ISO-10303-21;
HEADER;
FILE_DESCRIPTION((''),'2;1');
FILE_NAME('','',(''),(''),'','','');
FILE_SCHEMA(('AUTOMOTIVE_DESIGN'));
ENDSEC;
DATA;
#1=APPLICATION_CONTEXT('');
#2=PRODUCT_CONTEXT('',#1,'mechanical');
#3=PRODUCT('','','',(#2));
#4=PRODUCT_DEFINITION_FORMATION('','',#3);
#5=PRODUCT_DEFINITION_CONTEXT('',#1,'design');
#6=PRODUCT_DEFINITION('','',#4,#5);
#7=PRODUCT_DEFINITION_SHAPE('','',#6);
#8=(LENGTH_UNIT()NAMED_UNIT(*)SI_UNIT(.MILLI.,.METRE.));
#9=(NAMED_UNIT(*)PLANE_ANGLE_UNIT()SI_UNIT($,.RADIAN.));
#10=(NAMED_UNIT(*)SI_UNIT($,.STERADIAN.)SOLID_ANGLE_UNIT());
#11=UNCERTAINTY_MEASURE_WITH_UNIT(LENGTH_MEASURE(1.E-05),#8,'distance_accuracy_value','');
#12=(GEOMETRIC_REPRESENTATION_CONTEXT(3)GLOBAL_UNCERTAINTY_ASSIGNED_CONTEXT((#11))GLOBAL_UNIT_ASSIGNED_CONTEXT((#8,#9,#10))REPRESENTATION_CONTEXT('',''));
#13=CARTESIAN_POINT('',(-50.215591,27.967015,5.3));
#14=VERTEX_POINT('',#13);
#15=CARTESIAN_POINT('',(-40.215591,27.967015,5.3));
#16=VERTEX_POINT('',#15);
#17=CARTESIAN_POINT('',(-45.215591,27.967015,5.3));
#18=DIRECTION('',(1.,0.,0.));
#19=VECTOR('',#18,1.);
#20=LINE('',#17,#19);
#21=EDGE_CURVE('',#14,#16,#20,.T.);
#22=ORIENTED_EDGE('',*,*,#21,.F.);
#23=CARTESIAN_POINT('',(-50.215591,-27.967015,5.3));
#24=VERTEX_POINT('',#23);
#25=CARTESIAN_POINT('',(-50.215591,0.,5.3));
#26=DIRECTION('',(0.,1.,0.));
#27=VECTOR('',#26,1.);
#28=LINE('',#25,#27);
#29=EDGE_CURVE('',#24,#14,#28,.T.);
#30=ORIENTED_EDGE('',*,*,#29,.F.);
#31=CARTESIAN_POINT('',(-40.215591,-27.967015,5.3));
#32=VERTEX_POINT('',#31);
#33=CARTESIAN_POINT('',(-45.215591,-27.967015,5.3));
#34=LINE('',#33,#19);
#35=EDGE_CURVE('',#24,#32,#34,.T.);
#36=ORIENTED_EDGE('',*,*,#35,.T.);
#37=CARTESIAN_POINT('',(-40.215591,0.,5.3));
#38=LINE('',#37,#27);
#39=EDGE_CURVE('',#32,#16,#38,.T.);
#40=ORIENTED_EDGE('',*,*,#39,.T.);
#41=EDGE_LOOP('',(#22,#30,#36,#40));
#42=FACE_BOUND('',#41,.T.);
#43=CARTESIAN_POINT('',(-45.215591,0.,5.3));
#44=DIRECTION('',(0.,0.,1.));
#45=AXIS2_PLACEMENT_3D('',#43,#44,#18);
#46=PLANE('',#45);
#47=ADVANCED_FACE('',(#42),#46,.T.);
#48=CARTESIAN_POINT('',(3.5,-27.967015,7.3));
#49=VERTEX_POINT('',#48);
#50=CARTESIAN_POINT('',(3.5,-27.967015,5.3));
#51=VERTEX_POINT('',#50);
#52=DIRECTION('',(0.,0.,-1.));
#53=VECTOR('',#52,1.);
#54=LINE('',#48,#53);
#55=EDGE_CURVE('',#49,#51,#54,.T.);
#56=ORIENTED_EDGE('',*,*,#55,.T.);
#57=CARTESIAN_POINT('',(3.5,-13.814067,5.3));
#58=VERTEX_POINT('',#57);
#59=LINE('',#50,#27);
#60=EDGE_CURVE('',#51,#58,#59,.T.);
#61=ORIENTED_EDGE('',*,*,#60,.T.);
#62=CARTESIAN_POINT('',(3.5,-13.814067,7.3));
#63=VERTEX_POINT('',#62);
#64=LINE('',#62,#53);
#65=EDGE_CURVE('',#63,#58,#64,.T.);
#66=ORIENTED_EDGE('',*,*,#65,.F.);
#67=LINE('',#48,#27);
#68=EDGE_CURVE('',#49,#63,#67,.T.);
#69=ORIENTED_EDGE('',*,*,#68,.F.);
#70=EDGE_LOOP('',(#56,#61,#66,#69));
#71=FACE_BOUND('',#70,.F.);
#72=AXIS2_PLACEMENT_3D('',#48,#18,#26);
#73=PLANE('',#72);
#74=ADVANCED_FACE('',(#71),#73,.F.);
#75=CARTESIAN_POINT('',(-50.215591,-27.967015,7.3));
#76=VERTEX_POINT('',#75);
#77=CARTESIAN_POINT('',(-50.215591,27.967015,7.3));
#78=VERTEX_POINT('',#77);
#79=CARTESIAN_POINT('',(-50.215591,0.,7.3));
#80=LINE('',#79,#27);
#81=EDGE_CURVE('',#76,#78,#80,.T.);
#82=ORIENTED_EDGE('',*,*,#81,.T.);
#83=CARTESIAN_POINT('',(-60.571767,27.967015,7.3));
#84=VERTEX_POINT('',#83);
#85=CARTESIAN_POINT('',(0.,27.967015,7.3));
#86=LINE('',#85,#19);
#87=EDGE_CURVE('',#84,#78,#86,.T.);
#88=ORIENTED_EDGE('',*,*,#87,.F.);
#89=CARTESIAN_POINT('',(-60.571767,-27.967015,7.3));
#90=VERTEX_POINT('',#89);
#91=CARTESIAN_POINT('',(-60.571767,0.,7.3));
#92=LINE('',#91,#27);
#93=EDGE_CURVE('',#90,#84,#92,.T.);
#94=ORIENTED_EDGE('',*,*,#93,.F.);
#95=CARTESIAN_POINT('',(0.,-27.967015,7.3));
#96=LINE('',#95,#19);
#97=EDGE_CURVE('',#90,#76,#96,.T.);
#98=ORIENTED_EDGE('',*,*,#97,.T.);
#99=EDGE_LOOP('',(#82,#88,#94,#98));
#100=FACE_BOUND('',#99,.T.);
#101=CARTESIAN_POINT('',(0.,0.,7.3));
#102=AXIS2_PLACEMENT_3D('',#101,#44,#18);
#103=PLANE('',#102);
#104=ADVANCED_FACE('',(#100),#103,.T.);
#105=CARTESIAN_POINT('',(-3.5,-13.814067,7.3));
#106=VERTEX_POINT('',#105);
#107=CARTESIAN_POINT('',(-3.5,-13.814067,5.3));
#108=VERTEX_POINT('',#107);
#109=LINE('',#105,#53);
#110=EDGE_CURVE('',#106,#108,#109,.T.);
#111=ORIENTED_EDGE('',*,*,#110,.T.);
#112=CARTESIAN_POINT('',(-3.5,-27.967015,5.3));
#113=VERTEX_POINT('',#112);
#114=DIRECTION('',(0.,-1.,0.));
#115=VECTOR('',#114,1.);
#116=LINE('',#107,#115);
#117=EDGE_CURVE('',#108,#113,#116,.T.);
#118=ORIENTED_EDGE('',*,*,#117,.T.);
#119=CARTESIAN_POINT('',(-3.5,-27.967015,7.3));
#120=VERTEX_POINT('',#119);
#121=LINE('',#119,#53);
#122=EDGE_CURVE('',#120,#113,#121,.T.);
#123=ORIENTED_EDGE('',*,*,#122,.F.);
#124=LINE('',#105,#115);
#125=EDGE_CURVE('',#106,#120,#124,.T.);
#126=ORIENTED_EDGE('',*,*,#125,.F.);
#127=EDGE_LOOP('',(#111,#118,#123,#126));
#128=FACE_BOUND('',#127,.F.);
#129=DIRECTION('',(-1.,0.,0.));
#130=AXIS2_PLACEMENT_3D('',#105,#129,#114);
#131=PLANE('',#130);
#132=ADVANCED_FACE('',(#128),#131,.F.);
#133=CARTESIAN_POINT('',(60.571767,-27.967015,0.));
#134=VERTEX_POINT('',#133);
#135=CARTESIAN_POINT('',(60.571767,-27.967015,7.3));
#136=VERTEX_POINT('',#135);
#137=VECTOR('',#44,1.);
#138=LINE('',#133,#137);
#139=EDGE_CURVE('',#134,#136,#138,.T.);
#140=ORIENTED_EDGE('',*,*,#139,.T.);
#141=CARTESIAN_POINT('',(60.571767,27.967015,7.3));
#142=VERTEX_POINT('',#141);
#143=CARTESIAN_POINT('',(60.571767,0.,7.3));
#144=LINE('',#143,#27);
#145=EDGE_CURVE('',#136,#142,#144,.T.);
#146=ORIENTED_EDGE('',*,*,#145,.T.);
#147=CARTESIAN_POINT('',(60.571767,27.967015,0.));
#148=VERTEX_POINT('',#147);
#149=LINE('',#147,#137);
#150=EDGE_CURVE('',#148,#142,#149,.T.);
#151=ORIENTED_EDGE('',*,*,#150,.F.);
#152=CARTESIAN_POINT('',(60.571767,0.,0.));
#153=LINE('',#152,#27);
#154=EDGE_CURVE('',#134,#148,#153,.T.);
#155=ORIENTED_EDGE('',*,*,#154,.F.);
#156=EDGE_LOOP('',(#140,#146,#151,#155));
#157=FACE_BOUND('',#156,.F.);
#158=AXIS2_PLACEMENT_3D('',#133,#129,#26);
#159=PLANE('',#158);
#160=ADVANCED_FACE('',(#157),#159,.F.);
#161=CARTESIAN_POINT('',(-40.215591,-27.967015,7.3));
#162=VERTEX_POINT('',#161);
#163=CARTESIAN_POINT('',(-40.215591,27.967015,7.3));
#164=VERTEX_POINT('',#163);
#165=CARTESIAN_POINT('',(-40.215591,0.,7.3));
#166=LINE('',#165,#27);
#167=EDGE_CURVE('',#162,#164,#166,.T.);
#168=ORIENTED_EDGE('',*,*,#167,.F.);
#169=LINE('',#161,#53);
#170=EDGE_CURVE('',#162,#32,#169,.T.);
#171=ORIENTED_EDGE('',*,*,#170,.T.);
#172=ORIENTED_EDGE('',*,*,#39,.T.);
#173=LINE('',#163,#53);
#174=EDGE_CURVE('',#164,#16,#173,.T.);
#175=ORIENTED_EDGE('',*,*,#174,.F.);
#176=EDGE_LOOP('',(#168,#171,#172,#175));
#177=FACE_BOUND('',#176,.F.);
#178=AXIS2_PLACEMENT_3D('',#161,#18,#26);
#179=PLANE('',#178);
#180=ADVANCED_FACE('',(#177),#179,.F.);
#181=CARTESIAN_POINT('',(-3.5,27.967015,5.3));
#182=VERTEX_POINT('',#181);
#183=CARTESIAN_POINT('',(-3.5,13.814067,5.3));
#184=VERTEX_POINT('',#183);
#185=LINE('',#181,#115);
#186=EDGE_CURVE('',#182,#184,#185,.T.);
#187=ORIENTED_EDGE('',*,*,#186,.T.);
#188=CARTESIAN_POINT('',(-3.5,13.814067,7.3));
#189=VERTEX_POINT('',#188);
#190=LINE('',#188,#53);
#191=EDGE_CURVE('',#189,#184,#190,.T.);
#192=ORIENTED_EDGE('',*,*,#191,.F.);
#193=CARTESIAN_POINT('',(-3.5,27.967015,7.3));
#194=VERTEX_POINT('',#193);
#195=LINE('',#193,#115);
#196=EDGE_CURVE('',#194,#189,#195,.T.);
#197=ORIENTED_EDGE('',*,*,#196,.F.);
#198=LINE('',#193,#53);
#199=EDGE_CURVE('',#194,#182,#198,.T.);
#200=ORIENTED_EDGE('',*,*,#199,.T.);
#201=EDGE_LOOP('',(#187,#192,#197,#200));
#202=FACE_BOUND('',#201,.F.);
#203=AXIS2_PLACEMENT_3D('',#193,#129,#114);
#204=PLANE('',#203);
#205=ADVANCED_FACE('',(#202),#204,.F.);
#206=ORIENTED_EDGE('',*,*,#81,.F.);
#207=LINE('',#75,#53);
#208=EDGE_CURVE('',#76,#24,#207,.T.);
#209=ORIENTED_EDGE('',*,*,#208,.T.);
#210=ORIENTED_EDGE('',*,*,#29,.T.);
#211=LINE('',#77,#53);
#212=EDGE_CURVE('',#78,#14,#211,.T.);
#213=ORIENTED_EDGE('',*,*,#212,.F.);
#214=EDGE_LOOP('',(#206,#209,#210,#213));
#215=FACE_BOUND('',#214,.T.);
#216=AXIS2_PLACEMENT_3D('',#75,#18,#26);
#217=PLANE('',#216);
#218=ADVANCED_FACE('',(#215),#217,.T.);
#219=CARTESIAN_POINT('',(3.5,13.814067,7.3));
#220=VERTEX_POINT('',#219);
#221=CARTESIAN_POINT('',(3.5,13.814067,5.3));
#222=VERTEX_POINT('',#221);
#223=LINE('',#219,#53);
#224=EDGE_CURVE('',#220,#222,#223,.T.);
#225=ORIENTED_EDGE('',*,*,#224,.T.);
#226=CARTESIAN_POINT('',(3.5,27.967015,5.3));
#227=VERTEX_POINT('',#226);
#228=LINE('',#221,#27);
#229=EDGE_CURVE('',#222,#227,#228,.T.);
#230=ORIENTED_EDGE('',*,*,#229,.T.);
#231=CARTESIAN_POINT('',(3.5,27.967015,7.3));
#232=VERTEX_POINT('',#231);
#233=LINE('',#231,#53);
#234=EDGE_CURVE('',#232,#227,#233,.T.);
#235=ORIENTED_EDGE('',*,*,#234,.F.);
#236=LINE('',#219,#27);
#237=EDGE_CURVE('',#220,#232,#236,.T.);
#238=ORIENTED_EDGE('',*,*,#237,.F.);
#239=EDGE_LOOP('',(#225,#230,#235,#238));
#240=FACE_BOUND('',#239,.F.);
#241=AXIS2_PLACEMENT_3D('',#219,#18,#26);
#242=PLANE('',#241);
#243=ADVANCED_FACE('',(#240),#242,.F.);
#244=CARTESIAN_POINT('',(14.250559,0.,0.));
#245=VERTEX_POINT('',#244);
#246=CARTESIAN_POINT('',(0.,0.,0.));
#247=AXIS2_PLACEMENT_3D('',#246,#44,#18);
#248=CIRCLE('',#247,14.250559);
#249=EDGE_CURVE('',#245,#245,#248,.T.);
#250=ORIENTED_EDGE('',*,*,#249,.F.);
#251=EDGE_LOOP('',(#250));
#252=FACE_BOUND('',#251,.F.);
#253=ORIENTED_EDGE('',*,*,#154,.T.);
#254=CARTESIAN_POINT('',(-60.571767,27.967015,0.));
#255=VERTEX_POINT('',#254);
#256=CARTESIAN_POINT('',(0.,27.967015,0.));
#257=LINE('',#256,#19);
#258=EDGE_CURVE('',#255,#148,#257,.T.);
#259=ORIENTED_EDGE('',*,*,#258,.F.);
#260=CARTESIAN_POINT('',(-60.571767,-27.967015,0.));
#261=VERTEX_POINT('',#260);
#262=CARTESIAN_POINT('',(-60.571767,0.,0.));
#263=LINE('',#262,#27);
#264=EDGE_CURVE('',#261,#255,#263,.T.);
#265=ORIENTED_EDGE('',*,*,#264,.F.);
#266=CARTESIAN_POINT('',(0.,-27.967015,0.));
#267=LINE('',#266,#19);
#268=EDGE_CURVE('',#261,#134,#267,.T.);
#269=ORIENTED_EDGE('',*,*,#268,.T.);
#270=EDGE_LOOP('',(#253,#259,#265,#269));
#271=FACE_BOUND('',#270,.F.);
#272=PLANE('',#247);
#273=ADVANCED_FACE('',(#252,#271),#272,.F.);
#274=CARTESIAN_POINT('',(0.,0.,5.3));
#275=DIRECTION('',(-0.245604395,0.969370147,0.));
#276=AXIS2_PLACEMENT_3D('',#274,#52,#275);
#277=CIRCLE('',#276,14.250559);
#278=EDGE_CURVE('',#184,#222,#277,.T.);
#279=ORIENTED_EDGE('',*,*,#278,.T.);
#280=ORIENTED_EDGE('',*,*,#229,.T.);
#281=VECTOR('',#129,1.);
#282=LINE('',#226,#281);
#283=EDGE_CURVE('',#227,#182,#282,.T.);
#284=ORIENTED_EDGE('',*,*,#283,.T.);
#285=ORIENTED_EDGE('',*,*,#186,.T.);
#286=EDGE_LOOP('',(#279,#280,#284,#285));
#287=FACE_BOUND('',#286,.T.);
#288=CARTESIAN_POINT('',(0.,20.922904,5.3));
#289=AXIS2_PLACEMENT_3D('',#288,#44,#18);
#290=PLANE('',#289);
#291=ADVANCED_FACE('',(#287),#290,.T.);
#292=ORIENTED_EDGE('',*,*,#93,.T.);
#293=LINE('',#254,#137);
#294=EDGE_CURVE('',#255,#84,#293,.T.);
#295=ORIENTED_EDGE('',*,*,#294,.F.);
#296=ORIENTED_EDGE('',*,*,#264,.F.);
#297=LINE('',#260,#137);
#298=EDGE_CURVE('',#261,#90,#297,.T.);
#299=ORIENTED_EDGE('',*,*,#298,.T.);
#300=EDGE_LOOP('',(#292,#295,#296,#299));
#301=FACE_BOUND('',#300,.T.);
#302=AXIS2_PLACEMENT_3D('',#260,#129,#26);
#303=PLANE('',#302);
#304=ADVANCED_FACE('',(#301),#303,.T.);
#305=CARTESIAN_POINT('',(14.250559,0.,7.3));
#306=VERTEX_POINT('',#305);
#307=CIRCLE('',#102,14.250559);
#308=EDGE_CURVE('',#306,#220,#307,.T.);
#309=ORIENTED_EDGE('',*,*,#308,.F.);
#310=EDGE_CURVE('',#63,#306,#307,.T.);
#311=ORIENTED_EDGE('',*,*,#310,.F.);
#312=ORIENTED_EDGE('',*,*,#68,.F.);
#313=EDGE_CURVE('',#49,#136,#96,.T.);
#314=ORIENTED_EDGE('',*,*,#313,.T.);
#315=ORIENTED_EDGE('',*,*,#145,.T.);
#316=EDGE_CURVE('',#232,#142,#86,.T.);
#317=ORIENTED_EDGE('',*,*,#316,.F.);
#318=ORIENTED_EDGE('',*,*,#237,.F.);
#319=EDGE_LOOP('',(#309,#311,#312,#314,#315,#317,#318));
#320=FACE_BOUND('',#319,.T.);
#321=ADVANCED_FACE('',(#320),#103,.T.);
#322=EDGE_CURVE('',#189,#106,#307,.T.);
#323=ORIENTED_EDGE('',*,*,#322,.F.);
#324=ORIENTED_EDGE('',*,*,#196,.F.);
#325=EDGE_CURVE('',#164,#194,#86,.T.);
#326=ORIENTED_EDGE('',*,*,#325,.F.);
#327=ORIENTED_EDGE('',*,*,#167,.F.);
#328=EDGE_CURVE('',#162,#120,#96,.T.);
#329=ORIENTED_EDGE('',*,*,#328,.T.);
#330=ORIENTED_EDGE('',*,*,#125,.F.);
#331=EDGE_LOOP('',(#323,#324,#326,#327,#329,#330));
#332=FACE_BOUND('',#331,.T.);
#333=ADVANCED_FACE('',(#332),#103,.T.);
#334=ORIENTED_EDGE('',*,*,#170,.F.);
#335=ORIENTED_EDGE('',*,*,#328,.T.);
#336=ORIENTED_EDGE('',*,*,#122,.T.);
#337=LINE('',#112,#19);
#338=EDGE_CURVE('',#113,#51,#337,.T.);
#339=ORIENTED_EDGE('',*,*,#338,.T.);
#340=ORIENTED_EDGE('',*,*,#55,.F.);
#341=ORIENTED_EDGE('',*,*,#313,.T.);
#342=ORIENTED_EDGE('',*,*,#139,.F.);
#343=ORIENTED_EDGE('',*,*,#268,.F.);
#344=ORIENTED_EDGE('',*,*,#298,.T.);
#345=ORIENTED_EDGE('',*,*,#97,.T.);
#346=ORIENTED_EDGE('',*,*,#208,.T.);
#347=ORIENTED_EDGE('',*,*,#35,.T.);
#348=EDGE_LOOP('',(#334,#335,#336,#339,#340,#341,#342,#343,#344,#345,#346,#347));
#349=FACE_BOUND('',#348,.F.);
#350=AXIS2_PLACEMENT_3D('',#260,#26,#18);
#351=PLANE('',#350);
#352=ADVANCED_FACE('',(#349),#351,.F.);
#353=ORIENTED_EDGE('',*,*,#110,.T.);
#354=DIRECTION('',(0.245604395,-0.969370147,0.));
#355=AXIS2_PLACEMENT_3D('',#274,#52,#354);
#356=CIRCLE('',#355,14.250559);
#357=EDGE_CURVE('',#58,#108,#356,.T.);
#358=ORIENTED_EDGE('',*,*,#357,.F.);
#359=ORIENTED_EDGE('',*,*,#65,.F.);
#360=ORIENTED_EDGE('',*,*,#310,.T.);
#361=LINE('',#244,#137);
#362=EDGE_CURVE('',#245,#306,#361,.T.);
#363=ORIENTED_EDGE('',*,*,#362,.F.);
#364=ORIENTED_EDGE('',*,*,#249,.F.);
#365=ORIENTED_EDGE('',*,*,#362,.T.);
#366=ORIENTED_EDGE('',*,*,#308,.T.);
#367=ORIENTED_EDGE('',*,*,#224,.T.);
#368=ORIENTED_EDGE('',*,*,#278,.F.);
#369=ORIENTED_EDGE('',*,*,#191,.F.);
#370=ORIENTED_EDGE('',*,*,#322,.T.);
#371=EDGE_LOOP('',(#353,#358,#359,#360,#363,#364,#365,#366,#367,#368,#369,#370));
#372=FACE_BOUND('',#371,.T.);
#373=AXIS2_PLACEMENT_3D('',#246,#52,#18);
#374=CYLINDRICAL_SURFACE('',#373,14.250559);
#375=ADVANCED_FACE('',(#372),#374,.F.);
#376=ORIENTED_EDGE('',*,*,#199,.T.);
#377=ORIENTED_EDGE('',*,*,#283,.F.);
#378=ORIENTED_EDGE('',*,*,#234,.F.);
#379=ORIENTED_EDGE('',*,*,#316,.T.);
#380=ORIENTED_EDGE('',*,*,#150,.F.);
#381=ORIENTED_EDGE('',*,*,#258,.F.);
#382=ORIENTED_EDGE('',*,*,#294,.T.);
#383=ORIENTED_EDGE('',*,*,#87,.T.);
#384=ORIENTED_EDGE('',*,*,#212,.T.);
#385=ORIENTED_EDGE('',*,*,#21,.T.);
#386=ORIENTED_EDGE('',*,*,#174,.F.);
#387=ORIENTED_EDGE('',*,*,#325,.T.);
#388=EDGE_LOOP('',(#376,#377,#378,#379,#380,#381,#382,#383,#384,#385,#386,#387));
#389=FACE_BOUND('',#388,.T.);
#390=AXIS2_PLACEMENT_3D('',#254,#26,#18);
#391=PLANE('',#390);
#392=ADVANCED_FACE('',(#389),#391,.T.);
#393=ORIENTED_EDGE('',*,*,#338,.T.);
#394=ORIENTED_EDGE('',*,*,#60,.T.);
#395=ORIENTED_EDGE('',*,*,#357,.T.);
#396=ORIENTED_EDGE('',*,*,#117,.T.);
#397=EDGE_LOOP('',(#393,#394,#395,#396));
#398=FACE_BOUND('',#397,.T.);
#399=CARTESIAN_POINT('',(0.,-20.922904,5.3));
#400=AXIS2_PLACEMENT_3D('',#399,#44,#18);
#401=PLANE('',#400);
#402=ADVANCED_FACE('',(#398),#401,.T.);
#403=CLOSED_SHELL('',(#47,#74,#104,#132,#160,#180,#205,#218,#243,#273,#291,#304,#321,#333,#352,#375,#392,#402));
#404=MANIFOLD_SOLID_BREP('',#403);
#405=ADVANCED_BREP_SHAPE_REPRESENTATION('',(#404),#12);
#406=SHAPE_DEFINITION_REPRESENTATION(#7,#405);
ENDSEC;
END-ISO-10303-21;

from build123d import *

# Parameters (mm, degrees)
F0_W     = 121.1435347795
F0_H     = 55.9340305626
F0_R     = 14.2505593298
F1_DEPTH = 7.3
F2_W     = 10
F2_H     = 55.9340305626
F3_DEPTH = 2


with BuildPart() as f1:
    # F0 (on Top) → F1 (new body)
    with BuildSketch(Plane.XY):
        Rectangle(F0_W, F0_H)
        Circle(F0_R, mode=Mode.SUBTRACT)
    extrude(amount=F1_DEPTH)

    # F2 (on face) → F3 (cut)
    with BuildSketch(Plane.XY.offset(7.3)):
        with BuildLine():
            Line((3.5, 27.9670152813), (-3.5, 27.9670152813))
            Line((-3.5, 27.9670152813), (-3.5, 13.8140667876))
            ThreePointArc((-3.5, 13.8140667876), (0, 14.2505593298), (3.5, 13.8140667876))
            Line((3.5, 13.8140667876), (3.5, 27.9670152813))
        make_face()
        with BuildLine():
            Line((-3.5, -13.8140667876), (-3.5, -27.9670152813))
            Line((-3.5, -27.9670152813), (3.5, -27.9670152813))
            Line((3.5, -27.9670152813), (3.5, -13.8140667876))
            ThreePointArc((3.5, -13.8140667876), (0, -14.2505593298), (-3.5, -13.8140667876))
        make_face()
        with Locations((-45.2155907452, 0)):
            Rectangle(F2_W, F2_H)
    extrude(amount=-F3_DEPTH, mode=Mode.SUBTRACT)


solid = f1.part
